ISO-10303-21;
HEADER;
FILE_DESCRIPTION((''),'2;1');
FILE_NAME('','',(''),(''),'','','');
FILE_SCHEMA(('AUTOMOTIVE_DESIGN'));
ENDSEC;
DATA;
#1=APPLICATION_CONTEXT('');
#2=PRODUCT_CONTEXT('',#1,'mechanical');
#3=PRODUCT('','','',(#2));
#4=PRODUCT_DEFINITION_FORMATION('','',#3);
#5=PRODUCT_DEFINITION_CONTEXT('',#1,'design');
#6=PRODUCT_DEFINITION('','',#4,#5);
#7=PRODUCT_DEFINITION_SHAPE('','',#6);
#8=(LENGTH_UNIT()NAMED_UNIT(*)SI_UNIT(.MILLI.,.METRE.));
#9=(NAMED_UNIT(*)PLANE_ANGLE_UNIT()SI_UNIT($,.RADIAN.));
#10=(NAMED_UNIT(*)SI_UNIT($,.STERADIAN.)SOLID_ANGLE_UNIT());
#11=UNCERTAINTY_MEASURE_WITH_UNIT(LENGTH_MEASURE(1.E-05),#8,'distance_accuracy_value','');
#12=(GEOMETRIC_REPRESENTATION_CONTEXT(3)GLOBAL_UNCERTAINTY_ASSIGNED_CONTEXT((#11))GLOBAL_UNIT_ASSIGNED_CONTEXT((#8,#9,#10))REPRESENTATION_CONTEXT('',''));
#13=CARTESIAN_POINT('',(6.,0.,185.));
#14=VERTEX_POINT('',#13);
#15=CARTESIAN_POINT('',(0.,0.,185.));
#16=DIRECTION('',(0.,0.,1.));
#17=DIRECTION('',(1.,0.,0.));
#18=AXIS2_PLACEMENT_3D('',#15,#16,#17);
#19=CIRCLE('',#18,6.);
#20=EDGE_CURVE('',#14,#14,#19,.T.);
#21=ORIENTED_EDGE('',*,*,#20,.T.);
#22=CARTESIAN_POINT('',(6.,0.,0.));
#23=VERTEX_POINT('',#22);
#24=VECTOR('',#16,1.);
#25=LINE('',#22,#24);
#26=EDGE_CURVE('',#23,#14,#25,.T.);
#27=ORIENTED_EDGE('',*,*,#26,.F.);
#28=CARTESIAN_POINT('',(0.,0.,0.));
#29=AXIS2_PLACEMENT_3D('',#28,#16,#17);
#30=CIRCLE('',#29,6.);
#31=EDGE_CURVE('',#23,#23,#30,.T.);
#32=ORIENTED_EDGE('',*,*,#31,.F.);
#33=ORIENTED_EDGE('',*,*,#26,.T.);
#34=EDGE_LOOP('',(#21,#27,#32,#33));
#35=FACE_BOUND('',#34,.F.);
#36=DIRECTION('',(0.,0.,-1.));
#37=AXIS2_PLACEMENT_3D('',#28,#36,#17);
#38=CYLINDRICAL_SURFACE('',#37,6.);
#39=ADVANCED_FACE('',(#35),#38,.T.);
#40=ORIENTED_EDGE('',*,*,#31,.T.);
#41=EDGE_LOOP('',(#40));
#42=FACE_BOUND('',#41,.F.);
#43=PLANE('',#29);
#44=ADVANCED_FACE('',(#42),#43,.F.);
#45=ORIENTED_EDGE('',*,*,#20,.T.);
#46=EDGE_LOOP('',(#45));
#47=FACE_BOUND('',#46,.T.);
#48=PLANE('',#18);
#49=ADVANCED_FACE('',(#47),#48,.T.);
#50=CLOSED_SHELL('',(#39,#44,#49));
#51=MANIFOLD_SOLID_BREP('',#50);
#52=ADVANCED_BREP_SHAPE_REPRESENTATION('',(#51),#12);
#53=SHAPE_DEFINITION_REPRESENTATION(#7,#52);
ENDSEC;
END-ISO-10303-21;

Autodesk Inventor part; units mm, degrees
ref_plane "YZ Plane" through (0, 0, 0) normal (1, 0, 0) x (0, 1, 0)
ref_plane "XZ Plane" through (0, 0, 0) normal (0, 1, 0) x (-1, 0, 0)
ref_plane "XY Plane" through (0, 0, 0) normal (0, 0, 1) x (1, 0, 0)
sketch "Esboço1" plane through (0, 0, 0) normal (0, 0, 1) x (1, 0, 0)
  circle A0 centre (0, 0) radius 6
  dimension "d0" = 12
extrude "Extrusão1" add sketch "Esboço1" along normal blind 185
properties part number "GuiaLinear_12x200mm"
